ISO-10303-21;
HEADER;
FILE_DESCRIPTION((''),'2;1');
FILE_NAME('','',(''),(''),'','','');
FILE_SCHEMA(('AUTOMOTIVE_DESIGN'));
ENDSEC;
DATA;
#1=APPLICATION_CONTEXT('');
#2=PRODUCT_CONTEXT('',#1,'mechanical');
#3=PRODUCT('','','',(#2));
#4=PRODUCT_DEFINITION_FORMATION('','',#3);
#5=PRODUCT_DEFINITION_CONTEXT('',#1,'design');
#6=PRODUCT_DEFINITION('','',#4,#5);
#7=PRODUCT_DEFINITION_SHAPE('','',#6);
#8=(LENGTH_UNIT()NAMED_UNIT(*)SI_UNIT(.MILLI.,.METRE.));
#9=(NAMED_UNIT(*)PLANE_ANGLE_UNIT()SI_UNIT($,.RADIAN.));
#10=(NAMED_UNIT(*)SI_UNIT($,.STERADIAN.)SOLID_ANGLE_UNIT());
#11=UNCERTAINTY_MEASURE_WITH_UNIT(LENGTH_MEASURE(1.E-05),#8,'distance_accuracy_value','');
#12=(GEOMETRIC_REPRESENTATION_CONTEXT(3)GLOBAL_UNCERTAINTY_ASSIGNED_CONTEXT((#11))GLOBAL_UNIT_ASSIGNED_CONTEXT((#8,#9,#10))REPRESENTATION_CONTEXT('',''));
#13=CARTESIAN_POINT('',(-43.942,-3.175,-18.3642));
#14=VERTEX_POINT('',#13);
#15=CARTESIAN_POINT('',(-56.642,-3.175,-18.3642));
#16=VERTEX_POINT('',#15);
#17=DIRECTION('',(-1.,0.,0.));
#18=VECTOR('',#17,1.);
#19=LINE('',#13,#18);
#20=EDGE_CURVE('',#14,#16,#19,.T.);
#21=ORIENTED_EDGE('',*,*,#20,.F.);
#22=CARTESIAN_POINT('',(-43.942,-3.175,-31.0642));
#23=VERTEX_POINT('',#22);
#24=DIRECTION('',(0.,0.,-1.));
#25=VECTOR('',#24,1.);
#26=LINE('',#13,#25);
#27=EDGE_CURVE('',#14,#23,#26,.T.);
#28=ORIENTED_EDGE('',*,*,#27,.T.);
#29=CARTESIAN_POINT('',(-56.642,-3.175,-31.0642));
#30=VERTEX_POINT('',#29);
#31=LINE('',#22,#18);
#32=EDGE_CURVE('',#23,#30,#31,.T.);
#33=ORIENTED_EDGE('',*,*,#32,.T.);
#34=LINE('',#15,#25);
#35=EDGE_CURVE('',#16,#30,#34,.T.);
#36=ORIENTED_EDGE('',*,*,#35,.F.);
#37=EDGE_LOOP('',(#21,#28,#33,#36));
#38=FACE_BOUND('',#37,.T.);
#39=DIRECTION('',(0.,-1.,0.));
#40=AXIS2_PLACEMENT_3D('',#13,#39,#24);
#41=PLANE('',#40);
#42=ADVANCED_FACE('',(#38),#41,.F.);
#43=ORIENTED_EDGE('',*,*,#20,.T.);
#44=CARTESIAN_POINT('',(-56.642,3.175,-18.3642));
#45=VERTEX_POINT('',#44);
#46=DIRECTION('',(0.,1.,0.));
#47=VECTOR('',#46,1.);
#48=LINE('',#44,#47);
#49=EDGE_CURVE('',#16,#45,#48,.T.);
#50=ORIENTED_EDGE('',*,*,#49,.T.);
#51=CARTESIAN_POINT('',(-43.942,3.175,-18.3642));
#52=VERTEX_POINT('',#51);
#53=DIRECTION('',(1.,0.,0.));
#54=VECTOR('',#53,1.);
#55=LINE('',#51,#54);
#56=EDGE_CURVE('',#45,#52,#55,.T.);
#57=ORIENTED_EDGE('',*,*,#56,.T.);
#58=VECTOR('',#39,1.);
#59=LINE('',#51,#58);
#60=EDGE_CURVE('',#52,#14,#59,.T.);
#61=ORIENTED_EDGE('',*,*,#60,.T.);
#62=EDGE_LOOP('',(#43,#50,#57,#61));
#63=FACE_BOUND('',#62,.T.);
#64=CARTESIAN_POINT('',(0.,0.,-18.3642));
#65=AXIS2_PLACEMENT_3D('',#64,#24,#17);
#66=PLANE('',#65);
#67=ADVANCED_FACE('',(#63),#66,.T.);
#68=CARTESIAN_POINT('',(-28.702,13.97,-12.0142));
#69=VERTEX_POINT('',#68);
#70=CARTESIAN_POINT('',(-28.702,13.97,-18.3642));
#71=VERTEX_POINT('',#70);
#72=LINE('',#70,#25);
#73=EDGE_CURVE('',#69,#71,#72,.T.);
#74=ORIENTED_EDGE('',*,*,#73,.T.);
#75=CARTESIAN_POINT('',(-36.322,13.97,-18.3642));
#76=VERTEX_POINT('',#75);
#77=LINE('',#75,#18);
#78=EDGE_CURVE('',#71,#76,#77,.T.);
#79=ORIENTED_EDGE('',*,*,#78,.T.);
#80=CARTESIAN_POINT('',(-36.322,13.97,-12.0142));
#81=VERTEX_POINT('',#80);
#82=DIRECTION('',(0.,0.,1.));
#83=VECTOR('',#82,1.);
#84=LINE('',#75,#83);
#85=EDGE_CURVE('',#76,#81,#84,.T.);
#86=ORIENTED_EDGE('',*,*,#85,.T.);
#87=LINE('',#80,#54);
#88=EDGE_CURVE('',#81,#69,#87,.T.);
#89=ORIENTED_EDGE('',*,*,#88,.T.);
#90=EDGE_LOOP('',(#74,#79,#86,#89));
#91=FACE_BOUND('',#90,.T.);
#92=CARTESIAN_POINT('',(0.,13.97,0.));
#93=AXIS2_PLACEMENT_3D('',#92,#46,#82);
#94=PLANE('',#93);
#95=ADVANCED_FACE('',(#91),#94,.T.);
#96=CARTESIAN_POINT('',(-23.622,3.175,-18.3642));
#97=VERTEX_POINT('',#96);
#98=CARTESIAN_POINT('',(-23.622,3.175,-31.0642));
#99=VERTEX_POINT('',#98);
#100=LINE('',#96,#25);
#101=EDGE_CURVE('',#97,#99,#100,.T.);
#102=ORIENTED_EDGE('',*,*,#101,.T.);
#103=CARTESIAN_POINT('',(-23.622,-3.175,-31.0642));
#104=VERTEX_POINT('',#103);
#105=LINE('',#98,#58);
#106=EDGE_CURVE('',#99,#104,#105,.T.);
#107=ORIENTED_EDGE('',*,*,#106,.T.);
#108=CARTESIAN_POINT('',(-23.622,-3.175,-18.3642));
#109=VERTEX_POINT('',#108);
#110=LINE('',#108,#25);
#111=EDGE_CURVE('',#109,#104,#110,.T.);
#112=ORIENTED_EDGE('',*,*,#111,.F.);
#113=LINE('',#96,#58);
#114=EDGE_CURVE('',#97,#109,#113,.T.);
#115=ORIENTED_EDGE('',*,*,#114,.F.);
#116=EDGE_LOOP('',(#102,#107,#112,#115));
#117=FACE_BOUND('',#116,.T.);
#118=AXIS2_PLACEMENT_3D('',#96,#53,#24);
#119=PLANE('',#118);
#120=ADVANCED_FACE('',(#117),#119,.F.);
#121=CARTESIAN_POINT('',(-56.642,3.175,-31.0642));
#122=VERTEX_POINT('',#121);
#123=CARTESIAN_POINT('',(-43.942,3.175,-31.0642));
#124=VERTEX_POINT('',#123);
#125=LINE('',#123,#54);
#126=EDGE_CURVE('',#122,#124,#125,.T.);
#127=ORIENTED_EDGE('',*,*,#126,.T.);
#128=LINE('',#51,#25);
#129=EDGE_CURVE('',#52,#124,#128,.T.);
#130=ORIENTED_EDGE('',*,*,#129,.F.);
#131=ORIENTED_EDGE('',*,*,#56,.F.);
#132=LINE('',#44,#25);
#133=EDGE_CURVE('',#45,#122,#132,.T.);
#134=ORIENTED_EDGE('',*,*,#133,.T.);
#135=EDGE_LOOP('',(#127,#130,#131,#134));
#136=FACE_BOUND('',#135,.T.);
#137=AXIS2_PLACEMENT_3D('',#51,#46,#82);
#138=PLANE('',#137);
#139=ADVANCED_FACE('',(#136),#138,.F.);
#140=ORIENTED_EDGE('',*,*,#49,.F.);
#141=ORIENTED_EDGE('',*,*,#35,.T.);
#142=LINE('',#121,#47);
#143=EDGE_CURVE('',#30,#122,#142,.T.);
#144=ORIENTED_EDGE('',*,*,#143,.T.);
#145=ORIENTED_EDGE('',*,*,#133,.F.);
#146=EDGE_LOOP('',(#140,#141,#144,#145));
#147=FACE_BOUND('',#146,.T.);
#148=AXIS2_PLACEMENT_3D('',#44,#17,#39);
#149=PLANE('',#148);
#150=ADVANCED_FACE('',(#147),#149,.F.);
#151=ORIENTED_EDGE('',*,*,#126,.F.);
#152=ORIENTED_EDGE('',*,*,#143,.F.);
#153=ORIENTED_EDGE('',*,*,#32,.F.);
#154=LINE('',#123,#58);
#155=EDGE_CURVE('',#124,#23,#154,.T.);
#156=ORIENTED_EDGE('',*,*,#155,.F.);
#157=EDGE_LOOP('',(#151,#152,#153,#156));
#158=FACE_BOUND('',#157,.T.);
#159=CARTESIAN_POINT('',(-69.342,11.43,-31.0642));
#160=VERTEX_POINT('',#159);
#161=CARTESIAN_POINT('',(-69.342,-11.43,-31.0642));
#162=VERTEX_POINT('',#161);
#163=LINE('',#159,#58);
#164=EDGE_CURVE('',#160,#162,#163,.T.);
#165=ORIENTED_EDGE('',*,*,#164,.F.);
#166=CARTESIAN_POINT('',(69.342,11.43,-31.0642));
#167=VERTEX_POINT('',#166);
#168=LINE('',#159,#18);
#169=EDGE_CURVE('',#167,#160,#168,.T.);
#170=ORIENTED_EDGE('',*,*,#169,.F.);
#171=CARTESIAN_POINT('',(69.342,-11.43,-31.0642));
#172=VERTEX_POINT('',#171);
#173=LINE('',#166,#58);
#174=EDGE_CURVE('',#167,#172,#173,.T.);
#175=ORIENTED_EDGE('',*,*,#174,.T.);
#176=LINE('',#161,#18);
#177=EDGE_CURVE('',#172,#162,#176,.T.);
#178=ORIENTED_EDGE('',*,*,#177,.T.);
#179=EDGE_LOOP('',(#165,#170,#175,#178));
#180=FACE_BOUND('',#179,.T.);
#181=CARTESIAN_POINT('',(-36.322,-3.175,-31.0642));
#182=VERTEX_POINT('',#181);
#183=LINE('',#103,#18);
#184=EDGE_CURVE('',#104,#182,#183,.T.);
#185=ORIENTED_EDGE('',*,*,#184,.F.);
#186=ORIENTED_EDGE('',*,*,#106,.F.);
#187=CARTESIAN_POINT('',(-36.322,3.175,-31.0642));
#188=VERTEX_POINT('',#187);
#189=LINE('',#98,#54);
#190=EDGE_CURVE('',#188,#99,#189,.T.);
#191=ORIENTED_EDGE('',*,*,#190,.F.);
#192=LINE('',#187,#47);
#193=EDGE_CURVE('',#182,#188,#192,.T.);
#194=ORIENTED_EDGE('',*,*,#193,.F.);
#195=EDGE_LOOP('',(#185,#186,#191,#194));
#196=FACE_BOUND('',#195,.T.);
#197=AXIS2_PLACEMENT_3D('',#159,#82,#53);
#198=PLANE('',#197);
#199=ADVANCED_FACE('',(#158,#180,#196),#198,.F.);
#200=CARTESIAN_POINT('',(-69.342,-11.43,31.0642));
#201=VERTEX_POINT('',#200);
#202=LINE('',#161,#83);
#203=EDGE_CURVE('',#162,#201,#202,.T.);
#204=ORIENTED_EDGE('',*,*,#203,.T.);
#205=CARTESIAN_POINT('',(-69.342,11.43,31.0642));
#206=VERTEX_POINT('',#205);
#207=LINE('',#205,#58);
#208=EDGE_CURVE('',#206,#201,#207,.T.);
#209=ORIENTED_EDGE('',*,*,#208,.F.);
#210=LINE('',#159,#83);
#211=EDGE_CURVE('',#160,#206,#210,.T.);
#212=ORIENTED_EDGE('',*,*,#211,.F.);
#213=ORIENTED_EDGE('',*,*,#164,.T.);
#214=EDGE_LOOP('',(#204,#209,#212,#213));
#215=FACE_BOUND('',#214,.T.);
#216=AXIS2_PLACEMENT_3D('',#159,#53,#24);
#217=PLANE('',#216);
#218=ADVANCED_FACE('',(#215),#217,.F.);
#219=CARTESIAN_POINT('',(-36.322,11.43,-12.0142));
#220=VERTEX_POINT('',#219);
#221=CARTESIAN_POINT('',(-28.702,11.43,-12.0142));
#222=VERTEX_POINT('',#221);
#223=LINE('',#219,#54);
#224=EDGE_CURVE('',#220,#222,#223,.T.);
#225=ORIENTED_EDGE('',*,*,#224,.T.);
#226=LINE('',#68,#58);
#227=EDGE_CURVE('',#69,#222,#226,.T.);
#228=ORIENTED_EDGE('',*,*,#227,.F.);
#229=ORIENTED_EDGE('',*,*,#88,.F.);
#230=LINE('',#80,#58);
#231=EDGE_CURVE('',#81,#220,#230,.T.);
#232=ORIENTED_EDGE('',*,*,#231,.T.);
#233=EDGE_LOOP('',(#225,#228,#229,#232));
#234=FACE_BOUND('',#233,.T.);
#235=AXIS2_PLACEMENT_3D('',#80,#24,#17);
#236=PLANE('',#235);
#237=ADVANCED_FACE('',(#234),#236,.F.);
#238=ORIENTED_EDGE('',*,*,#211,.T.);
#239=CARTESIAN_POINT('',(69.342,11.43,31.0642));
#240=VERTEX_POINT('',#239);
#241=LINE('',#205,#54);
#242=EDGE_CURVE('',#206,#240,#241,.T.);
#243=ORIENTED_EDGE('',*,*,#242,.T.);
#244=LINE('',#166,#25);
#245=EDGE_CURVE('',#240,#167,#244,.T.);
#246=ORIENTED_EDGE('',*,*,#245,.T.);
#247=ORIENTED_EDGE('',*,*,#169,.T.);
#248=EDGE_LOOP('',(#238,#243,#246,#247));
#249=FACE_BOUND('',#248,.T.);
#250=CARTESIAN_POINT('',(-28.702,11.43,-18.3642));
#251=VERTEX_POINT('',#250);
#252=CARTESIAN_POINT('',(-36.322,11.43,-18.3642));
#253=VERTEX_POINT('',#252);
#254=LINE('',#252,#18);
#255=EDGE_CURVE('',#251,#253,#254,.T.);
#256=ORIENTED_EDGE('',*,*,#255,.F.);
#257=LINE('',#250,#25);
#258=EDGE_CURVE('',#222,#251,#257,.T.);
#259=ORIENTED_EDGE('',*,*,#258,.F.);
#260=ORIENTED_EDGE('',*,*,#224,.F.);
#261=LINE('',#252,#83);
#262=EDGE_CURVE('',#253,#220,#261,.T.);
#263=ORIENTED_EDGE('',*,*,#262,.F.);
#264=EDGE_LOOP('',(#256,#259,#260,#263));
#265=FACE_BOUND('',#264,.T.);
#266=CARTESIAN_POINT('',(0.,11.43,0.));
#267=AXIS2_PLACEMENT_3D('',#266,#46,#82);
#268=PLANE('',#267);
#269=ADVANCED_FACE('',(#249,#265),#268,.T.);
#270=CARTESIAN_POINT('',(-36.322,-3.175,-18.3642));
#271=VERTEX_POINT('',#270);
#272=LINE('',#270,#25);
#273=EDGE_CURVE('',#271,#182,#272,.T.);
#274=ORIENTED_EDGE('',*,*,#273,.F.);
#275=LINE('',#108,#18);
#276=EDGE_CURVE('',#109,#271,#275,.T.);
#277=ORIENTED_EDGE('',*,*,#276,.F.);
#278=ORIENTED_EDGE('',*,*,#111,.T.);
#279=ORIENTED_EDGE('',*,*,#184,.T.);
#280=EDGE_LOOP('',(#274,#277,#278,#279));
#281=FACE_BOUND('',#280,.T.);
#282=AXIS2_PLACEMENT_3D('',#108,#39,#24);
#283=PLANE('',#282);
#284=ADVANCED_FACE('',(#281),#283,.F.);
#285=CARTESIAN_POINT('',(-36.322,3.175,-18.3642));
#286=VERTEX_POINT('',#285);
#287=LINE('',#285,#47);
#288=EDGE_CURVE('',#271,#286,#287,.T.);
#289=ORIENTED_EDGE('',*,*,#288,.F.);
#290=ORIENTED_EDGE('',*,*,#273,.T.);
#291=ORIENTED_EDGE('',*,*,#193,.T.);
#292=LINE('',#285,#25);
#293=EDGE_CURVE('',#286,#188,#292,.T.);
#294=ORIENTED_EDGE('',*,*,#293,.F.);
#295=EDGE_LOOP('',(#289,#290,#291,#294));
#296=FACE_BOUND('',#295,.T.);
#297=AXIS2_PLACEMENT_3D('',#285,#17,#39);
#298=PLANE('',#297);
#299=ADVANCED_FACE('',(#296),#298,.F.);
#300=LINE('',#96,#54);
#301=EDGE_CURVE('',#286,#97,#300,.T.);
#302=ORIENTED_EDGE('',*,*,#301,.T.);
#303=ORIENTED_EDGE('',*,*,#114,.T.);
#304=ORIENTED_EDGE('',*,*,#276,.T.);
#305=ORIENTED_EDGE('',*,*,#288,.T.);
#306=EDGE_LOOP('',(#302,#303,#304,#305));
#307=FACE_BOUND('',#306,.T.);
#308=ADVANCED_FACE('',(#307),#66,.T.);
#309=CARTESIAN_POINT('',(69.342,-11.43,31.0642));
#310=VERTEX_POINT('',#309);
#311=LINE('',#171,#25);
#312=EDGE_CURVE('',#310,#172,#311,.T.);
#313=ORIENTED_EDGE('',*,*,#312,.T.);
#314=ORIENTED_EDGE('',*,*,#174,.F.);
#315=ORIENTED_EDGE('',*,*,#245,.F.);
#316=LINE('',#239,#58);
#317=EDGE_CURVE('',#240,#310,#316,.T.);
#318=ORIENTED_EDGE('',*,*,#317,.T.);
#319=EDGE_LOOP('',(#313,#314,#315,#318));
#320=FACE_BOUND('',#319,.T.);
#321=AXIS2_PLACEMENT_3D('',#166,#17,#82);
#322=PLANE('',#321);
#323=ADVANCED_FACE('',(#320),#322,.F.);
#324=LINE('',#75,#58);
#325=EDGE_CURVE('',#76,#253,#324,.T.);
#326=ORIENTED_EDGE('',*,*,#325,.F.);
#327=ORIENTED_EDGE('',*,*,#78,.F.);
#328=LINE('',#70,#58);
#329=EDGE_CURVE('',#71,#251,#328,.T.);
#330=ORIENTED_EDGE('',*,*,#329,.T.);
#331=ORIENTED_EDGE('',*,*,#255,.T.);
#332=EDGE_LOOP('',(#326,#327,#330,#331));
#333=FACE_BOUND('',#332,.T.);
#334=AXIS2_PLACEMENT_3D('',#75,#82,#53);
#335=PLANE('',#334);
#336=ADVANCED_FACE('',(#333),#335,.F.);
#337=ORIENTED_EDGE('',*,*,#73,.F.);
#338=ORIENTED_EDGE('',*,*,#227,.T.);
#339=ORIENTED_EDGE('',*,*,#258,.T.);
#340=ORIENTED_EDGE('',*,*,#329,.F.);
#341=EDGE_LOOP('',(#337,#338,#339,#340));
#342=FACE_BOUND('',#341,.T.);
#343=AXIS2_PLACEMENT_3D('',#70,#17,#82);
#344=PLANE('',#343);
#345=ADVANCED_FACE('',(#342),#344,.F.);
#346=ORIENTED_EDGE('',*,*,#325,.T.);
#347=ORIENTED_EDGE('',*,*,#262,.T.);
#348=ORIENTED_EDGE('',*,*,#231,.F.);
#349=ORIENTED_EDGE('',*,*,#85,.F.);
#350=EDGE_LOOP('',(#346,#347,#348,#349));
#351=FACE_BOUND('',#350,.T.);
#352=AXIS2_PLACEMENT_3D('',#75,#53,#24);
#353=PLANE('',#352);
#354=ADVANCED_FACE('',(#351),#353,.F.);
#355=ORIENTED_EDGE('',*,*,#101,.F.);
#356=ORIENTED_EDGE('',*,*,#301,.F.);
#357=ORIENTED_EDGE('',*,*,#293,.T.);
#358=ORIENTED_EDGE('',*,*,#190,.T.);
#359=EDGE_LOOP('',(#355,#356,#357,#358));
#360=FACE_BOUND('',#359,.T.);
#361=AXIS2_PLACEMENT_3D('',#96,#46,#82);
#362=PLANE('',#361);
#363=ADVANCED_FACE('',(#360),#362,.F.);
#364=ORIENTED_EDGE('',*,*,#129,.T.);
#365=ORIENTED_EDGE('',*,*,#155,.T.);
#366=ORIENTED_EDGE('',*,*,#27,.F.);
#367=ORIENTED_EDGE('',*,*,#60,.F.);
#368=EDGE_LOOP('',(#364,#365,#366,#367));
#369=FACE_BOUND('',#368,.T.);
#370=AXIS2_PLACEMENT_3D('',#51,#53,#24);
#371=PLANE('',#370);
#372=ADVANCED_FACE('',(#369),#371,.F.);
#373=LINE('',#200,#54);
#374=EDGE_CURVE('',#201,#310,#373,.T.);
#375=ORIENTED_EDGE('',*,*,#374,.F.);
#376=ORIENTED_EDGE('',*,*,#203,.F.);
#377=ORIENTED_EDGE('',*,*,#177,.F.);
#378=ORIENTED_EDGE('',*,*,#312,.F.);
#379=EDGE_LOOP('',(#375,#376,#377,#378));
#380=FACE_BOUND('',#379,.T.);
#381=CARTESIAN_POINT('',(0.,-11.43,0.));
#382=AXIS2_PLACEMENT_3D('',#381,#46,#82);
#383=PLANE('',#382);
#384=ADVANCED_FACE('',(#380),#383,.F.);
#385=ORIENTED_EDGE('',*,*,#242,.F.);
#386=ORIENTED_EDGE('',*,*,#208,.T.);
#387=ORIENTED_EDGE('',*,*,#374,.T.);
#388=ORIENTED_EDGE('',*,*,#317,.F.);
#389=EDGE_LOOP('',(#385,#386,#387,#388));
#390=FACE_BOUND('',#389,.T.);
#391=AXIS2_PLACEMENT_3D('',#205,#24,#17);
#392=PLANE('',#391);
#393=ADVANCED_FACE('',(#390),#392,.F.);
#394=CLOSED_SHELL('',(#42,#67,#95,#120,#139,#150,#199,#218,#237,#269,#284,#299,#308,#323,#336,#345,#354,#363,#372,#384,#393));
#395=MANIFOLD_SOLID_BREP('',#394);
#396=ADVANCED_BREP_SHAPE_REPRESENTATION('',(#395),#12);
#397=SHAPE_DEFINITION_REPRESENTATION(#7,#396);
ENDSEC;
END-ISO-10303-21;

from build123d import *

# Parameters (mm, degrees)
SKETCH1_W           = 138.684
SKETCH1_H           = 62.1284
BOSS_EXTRUDE1_DEPTH = 11.43
SKETCH3_W           = 12.7
SKETCH3_H           = 6.35
CUT_EXTRUDE1_DEPTH  = 12.7
SKETCH4_W           = 7.62
SKETCH4_H           = 6.35
BOSS_EXTRUDE2_DEPTH = 2.54


with BuildPart() as part:
    # Sketch1 → Boss-Extrude1 (new, symmetric)
    with BuildSketch(Plane(origin=(0, 0, 0), x_dir=(1, 0, 0), z_dir=(0, 1, 0))):
        Rectangle(SKETCH1_W, SKETCH1_H)
    extrude(amount=BOSS_EXTRUDE1_DEPTH, both=True)

    # Sketch3 → Cut-Extrude1 (cut)
    with BuildSketch(Plane(origin=(0, 0, -31.0642), x_dir=(-1, 0, 0), z_dir=(0, 0, -1))):
        with Locations((29.972, 0)):
            Rectangle(SKETCH3_W, SKETCH3_H)
        with Locations((50.292, 0)):
            Rectangle(SKETCH3_W, SKETCH3_H)
    extrude(amount=-CUT_EXTRUDE1_DEPTH, mode=Mode.SUBTRACT)

    # Sketch4 → Boss-Extrude2 (add)
    with BuildSketch(Plane(origin=(0, 11.43, 0), x_dir=(1, 0, 0), z_dir=(0, 1, 0))):
        with Locations((-32.512, 15.1892)):
            Rectangle(SKETCH4_W, SKETCH4_H)
    extrude(amount=BOSS_EXTRUDE2_DEPTH)


solid = part.part
